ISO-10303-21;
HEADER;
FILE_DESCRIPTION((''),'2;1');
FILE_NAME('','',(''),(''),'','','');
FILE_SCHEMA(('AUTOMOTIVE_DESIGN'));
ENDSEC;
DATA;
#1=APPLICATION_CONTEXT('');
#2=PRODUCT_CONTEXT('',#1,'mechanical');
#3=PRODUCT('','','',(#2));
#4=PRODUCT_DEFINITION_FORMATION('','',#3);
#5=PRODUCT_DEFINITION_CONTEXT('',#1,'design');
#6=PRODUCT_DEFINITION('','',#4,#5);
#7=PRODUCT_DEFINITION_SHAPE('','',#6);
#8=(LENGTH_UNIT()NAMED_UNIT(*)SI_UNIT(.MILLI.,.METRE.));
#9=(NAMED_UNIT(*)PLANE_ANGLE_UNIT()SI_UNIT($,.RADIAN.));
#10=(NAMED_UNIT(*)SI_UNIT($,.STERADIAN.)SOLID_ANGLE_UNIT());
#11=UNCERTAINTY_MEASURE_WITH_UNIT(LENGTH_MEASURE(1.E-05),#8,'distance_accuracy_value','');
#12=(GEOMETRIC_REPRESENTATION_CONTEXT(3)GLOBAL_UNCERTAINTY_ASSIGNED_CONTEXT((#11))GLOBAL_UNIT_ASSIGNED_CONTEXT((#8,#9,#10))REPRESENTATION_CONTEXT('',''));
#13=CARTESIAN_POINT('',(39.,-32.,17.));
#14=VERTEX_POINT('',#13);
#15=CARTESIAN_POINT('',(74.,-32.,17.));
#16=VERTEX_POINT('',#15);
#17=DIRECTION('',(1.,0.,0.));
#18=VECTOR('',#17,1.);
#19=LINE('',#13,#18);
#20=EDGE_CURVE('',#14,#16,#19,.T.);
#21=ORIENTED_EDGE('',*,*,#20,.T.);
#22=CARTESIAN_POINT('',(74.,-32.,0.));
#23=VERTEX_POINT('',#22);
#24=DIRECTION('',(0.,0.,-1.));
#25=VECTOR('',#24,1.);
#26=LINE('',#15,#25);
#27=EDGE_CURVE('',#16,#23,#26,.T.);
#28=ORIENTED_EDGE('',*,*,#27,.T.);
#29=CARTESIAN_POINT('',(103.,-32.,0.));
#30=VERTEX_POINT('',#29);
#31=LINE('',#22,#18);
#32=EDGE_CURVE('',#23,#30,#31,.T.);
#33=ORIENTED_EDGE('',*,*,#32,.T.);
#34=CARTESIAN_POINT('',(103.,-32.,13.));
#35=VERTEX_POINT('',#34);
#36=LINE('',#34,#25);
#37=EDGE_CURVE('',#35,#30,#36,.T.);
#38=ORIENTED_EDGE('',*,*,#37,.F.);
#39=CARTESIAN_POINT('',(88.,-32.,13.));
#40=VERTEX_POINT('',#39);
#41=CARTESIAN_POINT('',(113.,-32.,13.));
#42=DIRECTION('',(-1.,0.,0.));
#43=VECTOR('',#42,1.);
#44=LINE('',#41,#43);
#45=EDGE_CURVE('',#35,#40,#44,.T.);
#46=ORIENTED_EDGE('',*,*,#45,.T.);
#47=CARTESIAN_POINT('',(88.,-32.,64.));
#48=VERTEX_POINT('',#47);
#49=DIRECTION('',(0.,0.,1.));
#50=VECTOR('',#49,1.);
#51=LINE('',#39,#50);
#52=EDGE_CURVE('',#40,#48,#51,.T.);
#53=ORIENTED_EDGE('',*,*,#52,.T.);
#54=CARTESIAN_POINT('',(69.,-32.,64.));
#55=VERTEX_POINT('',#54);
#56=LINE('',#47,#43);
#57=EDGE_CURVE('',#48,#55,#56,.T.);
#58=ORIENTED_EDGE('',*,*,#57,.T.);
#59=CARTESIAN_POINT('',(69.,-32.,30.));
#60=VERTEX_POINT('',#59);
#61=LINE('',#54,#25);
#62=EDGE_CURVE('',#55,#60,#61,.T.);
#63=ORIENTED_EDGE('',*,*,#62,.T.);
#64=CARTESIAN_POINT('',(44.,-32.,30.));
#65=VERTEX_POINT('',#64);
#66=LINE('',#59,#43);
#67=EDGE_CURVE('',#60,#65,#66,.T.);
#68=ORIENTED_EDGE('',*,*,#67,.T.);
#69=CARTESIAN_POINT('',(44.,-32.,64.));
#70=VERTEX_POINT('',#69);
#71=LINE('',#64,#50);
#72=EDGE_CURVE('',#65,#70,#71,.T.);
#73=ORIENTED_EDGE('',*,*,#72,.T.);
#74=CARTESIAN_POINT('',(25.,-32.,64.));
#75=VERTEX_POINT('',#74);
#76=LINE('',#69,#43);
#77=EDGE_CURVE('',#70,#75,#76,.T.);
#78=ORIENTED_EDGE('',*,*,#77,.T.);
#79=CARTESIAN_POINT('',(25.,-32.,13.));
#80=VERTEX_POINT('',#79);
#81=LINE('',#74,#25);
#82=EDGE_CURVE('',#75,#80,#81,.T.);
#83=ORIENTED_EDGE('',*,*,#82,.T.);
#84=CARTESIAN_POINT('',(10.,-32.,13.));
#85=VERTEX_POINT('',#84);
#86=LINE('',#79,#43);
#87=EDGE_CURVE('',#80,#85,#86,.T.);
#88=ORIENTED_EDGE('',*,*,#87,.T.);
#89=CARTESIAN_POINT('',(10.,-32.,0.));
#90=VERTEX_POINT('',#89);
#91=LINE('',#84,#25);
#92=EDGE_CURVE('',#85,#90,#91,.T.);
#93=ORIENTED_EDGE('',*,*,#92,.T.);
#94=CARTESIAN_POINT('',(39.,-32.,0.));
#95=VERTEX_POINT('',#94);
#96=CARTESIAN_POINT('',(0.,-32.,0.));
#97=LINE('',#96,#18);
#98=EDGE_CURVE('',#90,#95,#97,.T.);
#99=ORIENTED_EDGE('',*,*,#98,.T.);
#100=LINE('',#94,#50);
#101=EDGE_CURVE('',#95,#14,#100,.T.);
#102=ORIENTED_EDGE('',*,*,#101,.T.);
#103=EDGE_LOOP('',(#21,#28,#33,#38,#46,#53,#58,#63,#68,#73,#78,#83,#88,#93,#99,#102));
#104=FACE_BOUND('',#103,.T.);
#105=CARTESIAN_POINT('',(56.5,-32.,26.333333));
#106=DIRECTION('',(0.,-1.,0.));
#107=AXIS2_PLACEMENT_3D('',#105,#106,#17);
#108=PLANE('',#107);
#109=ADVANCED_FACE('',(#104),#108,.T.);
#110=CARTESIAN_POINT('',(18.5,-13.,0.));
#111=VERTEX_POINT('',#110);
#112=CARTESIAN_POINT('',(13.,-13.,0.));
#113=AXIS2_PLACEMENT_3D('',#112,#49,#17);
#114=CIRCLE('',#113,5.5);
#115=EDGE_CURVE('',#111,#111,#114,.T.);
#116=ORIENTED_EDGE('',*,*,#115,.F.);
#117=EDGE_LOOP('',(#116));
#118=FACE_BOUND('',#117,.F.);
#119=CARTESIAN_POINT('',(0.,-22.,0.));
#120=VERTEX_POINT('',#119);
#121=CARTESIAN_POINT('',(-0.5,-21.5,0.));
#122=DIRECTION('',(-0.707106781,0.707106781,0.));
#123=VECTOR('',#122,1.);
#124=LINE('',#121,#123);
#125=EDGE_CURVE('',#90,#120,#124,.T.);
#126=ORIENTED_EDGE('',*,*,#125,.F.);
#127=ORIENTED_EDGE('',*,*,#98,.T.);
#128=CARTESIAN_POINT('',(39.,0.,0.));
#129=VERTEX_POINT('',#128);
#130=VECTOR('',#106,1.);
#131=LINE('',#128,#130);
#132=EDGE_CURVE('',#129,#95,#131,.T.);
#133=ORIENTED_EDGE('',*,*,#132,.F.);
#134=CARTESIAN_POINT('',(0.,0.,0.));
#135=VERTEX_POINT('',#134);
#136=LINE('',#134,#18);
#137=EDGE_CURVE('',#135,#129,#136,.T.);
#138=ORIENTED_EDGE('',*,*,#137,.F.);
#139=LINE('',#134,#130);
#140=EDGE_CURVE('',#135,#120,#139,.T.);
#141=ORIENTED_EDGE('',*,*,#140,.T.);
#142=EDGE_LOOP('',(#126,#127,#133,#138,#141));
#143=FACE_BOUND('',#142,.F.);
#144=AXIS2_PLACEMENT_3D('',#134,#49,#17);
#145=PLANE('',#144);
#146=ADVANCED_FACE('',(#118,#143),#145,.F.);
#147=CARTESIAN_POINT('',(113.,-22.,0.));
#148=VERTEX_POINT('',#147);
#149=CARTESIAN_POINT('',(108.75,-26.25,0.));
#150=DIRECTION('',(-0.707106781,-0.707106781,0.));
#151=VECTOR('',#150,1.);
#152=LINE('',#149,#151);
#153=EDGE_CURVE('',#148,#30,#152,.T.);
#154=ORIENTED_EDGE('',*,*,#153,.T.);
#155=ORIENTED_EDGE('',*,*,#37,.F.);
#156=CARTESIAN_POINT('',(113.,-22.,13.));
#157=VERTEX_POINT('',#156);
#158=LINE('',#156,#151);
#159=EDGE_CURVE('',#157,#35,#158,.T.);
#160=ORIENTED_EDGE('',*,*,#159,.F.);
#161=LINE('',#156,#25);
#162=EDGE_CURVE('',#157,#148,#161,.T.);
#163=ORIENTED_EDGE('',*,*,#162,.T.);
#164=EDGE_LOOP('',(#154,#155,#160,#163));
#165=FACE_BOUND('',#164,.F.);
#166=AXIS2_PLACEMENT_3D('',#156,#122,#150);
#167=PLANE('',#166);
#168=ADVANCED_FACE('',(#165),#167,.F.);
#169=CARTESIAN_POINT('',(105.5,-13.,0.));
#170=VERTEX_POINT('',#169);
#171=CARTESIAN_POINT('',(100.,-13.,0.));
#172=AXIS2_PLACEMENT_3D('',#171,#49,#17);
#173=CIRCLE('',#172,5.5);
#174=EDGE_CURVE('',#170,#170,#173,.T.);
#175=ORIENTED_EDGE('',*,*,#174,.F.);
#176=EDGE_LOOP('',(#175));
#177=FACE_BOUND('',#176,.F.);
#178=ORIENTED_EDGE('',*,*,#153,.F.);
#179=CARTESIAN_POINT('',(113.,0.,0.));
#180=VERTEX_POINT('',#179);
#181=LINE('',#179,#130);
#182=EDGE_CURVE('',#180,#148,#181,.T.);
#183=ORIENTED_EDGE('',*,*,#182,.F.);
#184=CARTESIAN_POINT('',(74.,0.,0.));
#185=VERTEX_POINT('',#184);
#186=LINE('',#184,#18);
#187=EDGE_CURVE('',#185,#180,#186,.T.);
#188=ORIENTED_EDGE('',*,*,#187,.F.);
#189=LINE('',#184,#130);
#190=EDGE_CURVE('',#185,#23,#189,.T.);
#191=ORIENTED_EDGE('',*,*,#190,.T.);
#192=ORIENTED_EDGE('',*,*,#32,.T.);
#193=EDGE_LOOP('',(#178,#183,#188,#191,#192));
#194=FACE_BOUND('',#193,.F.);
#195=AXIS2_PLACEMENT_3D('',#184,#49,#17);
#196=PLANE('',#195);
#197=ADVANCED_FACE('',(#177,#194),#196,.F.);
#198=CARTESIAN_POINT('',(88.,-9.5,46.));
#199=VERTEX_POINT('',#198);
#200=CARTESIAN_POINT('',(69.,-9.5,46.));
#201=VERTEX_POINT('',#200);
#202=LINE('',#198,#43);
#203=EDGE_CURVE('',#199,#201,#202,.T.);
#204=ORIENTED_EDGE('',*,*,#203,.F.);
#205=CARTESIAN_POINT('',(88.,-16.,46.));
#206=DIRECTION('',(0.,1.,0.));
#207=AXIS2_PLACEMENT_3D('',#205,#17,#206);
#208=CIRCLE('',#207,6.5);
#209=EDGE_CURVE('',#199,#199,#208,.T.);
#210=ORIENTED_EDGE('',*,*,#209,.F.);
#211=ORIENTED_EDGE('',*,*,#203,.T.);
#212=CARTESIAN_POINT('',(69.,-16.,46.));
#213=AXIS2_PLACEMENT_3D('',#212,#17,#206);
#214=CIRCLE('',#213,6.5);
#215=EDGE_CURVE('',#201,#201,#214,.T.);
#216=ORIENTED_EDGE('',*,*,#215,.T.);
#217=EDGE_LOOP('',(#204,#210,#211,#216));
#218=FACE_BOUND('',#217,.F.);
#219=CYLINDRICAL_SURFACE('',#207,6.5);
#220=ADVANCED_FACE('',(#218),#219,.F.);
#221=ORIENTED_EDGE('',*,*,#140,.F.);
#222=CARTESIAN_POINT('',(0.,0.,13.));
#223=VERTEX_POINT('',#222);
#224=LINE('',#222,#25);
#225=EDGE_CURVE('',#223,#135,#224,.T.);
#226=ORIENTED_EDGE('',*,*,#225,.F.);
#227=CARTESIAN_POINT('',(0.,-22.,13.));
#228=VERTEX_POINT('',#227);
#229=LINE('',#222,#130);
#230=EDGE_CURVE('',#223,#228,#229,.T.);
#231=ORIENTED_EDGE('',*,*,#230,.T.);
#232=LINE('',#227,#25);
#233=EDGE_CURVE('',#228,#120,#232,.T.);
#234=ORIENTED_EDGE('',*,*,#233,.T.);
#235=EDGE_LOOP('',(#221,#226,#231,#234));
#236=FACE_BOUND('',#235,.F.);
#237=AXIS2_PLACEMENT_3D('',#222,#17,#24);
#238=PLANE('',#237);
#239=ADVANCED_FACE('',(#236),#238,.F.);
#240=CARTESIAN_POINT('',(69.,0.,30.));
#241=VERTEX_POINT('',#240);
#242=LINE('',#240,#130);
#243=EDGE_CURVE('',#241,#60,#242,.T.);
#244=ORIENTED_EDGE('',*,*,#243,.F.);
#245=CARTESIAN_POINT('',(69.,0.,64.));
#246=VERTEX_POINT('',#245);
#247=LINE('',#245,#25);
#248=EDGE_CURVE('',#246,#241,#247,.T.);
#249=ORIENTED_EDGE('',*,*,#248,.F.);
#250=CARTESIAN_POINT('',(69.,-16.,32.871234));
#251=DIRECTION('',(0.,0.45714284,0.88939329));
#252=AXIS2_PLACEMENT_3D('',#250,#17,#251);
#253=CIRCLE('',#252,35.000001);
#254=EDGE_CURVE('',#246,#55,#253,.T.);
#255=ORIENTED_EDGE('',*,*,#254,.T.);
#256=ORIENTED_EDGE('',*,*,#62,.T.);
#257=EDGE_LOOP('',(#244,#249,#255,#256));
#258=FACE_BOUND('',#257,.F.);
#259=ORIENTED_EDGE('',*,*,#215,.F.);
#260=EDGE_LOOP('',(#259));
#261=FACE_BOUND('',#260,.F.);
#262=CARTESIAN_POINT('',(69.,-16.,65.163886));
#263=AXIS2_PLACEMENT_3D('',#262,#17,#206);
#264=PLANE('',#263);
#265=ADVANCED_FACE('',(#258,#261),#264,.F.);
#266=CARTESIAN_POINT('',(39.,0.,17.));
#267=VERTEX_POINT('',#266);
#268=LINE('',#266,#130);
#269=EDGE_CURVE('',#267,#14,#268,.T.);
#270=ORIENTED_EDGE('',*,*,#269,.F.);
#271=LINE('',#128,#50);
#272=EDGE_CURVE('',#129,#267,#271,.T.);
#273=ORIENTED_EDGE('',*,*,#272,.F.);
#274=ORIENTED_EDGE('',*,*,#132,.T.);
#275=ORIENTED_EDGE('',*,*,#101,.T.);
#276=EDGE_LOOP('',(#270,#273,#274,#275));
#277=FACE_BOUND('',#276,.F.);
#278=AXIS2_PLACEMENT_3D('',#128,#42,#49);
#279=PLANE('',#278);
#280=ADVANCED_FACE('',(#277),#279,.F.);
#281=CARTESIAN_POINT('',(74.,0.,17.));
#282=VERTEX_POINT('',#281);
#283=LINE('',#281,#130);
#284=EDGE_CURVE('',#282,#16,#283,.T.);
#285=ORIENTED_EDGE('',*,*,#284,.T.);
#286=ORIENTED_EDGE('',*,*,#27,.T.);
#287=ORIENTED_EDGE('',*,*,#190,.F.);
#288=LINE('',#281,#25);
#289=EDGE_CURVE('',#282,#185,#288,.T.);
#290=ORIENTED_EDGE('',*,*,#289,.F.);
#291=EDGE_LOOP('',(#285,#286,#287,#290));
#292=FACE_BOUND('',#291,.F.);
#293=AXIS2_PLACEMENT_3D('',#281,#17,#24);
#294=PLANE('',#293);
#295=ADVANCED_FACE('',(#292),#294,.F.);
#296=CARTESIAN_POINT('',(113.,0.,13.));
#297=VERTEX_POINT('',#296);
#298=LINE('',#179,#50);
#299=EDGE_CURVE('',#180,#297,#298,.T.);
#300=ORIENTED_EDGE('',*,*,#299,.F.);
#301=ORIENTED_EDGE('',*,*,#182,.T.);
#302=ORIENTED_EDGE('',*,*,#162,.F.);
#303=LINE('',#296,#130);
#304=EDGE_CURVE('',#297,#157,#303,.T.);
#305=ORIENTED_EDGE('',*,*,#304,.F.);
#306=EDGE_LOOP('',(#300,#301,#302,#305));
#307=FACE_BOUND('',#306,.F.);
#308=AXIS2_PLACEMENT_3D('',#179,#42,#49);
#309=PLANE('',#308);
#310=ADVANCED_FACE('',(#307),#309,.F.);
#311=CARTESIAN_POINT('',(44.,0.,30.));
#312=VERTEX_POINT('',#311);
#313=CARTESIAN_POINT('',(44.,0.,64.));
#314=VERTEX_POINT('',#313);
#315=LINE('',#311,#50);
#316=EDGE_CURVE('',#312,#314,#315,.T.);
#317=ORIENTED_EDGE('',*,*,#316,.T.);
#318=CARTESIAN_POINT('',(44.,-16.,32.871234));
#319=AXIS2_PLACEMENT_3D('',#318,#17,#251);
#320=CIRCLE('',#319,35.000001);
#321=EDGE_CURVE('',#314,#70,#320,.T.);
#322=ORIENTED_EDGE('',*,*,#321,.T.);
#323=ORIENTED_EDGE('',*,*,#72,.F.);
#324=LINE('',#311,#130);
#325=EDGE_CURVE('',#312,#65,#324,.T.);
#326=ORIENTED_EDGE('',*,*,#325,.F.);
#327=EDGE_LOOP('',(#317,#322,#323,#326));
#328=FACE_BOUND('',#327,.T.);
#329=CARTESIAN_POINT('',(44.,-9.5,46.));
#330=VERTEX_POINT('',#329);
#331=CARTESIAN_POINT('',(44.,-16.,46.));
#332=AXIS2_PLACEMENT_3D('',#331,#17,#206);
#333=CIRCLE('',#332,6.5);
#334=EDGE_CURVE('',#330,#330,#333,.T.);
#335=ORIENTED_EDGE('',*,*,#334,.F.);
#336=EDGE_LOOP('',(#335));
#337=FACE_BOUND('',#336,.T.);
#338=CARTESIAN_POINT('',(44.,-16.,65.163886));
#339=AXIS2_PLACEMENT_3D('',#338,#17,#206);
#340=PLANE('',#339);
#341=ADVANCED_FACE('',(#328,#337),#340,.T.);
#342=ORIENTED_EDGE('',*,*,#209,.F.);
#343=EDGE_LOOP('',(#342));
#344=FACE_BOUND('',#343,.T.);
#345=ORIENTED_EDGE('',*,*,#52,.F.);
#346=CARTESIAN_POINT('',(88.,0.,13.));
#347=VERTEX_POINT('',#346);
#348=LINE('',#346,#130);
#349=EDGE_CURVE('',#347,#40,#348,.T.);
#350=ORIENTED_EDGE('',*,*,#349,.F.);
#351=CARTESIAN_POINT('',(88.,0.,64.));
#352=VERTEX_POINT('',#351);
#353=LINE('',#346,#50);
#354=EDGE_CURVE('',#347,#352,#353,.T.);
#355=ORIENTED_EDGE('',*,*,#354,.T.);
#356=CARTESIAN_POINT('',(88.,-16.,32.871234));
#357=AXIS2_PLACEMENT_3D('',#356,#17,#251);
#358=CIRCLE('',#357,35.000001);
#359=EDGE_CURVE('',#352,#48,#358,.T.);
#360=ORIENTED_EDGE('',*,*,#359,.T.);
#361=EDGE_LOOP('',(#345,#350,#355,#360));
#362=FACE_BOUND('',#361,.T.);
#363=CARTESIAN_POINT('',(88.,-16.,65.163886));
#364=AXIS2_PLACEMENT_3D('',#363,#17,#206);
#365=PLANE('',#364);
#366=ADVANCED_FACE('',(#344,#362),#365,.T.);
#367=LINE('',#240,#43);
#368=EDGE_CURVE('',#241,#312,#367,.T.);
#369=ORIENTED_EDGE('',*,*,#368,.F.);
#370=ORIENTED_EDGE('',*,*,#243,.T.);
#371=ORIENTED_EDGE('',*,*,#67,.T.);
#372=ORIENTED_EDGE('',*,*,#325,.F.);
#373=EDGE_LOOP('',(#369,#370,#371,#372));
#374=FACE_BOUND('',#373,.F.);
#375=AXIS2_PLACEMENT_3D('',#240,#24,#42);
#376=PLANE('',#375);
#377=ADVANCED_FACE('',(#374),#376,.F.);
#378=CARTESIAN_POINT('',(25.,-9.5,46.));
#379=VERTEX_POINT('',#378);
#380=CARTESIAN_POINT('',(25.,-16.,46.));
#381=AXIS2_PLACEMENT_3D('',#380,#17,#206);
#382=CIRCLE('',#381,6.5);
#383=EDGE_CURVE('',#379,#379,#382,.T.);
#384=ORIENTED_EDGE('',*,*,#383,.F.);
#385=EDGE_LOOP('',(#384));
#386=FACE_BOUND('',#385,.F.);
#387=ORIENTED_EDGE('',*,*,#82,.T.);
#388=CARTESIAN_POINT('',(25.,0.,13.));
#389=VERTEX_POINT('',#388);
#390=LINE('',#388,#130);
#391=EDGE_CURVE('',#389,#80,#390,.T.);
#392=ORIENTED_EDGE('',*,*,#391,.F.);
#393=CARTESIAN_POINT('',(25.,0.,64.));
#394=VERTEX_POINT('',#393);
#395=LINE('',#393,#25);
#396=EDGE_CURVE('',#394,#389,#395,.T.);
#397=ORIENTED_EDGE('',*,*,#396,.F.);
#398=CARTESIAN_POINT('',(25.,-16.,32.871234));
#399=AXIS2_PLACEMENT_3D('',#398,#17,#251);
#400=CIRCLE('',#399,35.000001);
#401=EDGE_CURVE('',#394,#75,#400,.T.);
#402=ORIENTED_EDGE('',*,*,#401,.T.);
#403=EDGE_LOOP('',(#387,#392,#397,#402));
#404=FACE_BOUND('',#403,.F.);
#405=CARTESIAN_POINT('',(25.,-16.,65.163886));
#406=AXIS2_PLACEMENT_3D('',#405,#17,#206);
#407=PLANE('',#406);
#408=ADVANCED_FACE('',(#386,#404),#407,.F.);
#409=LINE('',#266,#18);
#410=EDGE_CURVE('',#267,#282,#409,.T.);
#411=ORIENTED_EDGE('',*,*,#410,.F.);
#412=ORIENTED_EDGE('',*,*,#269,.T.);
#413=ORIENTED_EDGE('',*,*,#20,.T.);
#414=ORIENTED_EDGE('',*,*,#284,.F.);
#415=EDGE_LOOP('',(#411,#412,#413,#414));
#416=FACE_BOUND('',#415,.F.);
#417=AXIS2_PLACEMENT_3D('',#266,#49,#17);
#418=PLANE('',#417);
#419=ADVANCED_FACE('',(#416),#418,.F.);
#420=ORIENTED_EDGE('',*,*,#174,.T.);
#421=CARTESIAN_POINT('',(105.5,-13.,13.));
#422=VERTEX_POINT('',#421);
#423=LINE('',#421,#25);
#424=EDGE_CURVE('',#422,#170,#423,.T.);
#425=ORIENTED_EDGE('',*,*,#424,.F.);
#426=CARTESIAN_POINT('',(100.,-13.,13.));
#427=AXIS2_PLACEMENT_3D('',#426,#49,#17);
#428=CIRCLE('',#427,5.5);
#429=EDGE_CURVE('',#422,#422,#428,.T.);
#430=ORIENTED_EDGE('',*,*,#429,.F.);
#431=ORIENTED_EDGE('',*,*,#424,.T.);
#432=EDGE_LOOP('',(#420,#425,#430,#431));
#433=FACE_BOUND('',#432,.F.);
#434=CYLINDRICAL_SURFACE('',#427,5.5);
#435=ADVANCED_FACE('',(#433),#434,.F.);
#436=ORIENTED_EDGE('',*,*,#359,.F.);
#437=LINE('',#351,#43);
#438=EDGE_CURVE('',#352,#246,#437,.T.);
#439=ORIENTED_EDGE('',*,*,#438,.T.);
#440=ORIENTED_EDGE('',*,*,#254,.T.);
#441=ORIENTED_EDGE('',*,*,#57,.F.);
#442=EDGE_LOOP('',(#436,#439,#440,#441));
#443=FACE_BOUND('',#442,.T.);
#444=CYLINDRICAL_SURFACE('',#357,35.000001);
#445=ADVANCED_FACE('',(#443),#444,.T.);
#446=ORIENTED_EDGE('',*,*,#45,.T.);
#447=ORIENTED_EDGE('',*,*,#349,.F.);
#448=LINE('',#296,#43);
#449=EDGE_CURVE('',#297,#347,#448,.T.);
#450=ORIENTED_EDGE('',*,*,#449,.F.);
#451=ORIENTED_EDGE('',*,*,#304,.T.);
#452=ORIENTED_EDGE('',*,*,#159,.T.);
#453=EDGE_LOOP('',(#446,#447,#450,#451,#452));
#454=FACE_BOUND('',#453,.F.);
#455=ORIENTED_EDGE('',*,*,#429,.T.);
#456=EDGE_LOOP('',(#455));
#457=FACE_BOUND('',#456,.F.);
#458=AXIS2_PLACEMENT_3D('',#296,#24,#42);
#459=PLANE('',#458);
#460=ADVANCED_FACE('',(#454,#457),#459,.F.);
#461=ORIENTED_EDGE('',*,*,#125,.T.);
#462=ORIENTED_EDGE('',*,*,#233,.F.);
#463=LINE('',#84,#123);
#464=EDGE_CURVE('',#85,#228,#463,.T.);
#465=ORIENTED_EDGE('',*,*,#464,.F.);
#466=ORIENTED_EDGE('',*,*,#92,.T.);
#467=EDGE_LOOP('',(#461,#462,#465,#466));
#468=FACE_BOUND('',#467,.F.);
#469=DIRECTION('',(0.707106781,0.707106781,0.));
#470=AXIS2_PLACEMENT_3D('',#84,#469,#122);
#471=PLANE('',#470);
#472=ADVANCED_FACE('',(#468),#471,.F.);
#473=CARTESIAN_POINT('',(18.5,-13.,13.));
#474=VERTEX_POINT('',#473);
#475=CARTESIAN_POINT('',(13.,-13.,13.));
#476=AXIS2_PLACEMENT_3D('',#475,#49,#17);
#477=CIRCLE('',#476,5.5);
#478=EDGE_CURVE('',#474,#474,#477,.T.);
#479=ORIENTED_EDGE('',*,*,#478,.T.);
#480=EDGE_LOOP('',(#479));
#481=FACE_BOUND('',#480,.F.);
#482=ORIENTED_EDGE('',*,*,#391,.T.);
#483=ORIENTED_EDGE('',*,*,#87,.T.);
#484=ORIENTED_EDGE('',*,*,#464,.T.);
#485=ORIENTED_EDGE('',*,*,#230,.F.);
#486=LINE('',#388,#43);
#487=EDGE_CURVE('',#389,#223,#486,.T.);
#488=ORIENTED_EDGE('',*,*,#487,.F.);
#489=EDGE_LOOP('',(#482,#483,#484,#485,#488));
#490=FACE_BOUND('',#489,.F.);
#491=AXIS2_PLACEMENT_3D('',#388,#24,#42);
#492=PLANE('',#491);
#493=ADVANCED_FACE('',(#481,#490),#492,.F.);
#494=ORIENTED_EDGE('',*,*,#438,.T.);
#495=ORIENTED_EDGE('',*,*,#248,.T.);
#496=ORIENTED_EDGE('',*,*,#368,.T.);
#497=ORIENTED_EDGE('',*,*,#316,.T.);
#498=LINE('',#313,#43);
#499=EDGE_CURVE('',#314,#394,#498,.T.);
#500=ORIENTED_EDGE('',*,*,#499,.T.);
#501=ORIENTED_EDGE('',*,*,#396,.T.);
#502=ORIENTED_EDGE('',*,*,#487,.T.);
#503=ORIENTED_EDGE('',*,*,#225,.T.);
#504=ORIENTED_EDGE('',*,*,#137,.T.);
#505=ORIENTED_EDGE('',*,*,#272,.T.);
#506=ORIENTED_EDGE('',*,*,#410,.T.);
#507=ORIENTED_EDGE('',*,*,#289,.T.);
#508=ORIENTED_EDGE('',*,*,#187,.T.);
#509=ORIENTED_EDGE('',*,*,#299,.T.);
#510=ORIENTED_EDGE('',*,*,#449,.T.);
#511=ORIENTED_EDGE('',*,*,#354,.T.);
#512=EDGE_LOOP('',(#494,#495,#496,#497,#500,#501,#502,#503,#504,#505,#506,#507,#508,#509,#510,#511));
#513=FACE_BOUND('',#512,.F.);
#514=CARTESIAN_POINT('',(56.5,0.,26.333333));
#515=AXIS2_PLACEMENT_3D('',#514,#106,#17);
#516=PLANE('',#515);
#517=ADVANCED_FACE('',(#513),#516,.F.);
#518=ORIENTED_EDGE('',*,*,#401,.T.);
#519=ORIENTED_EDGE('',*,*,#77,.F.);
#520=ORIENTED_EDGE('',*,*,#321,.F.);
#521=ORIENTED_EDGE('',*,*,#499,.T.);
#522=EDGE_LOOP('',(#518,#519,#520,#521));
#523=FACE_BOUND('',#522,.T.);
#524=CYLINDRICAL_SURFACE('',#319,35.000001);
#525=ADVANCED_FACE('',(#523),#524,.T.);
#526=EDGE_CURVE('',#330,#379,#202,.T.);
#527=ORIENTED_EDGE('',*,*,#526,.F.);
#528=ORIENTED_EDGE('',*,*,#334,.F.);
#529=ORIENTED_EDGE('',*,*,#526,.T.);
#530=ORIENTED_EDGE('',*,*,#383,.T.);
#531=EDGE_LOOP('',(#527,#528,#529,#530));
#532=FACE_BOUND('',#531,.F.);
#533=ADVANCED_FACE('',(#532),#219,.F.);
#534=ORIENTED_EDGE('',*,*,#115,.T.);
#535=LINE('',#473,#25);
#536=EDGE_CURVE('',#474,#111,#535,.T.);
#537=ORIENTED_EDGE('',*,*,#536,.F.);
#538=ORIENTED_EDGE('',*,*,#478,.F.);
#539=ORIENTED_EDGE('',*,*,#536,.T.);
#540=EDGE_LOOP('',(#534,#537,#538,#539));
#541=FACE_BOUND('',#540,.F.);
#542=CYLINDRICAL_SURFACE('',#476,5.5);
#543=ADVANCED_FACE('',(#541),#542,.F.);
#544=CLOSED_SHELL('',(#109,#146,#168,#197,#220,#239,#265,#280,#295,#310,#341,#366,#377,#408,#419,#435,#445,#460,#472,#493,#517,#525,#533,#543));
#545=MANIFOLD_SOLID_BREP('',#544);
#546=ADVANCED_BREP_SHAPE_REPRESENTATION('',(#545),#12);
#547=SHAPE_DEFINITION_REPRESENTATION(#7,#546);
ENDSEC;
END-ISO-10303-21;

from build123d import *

# Parameters (mm, degrees)
F1_DEPTH  = 32
F2_R      = 5.5
F3_DEPTH  = 13.001
F4_R      = 5.5
F5_DEPTH  = 13.001
F7_DEPTH  = 19
F9_DEPTH  = 19
F10_R     = 6.5
F11_DEPTH = 88.001


with BuildPart() as f1:
    # F0 (on Front) → F1 (new body)
    with BuildSketch(Plane.XZ):
        Polygon((0, 13), (0, 0), (39, 0), (39, 17), (74, 17), (74, 0), (113, 0), (113, 13), (88, 13), (88, 64), (69, 64), (69, 30), (44, 30), (44, 64), (25, 64), (25, 13), align=None)
    extrude(amount=F1_DEPTH)

    # F2 (on face) → F3 (cut, through all)
    with BuildSketch(Plane.XY.offset(13)):
        Polygon((0, -22), (0, -32), (10, -32), align=None)
        with Locations((13, -13)):
            Circle(F2_R)
    extrude(amount=-F3_DEPTH, mode=Mode.SUBTRACT)

    # F4 (on face) → F5 (cut, through all)
    with BuildSketch(Plane.XY.offset(13)):
        with Locations((100, -13)):
            Circle(F4_R)
        Polygon((103, -32), (113, -32), (113, -22), align=None)
    extrude(amount=-F5_DEPTH, mode=Mode.SUBTRACT)

    # F6 (on face) → F7 (join)
    with BuildSketch(Plane.YZ.offset(44)):
        with BuildLine():
            Line((-32, 64), (0, 64))
            ThreePointArc((0, 64), (-16, 67.871235), (-32, 64))
        make_face()
    extrude(amount=-F7_DEPTH)

    # F8 (on face) → F9 (join)
    with BuildSketch(Plane.YZ.offset(88)):
        with BuildLine():
            Line((-32, 64), (0, 64))
            ThreePointArc((0, 64), (-16, 67.871235), (-32, 64))
        make_face()
    extrude(amount=-F9_DEPTH)

    # F10 (on face) → F11 (cut, through all)
    with BuildSketch(Plane.YZ.offset(88)):
        with Locations((-16, 46)):
            Circle(F10_R)
    extrude(amount=-F11_DEPTH, mode=Mode.SUBTRACT)


solid = f1.part
